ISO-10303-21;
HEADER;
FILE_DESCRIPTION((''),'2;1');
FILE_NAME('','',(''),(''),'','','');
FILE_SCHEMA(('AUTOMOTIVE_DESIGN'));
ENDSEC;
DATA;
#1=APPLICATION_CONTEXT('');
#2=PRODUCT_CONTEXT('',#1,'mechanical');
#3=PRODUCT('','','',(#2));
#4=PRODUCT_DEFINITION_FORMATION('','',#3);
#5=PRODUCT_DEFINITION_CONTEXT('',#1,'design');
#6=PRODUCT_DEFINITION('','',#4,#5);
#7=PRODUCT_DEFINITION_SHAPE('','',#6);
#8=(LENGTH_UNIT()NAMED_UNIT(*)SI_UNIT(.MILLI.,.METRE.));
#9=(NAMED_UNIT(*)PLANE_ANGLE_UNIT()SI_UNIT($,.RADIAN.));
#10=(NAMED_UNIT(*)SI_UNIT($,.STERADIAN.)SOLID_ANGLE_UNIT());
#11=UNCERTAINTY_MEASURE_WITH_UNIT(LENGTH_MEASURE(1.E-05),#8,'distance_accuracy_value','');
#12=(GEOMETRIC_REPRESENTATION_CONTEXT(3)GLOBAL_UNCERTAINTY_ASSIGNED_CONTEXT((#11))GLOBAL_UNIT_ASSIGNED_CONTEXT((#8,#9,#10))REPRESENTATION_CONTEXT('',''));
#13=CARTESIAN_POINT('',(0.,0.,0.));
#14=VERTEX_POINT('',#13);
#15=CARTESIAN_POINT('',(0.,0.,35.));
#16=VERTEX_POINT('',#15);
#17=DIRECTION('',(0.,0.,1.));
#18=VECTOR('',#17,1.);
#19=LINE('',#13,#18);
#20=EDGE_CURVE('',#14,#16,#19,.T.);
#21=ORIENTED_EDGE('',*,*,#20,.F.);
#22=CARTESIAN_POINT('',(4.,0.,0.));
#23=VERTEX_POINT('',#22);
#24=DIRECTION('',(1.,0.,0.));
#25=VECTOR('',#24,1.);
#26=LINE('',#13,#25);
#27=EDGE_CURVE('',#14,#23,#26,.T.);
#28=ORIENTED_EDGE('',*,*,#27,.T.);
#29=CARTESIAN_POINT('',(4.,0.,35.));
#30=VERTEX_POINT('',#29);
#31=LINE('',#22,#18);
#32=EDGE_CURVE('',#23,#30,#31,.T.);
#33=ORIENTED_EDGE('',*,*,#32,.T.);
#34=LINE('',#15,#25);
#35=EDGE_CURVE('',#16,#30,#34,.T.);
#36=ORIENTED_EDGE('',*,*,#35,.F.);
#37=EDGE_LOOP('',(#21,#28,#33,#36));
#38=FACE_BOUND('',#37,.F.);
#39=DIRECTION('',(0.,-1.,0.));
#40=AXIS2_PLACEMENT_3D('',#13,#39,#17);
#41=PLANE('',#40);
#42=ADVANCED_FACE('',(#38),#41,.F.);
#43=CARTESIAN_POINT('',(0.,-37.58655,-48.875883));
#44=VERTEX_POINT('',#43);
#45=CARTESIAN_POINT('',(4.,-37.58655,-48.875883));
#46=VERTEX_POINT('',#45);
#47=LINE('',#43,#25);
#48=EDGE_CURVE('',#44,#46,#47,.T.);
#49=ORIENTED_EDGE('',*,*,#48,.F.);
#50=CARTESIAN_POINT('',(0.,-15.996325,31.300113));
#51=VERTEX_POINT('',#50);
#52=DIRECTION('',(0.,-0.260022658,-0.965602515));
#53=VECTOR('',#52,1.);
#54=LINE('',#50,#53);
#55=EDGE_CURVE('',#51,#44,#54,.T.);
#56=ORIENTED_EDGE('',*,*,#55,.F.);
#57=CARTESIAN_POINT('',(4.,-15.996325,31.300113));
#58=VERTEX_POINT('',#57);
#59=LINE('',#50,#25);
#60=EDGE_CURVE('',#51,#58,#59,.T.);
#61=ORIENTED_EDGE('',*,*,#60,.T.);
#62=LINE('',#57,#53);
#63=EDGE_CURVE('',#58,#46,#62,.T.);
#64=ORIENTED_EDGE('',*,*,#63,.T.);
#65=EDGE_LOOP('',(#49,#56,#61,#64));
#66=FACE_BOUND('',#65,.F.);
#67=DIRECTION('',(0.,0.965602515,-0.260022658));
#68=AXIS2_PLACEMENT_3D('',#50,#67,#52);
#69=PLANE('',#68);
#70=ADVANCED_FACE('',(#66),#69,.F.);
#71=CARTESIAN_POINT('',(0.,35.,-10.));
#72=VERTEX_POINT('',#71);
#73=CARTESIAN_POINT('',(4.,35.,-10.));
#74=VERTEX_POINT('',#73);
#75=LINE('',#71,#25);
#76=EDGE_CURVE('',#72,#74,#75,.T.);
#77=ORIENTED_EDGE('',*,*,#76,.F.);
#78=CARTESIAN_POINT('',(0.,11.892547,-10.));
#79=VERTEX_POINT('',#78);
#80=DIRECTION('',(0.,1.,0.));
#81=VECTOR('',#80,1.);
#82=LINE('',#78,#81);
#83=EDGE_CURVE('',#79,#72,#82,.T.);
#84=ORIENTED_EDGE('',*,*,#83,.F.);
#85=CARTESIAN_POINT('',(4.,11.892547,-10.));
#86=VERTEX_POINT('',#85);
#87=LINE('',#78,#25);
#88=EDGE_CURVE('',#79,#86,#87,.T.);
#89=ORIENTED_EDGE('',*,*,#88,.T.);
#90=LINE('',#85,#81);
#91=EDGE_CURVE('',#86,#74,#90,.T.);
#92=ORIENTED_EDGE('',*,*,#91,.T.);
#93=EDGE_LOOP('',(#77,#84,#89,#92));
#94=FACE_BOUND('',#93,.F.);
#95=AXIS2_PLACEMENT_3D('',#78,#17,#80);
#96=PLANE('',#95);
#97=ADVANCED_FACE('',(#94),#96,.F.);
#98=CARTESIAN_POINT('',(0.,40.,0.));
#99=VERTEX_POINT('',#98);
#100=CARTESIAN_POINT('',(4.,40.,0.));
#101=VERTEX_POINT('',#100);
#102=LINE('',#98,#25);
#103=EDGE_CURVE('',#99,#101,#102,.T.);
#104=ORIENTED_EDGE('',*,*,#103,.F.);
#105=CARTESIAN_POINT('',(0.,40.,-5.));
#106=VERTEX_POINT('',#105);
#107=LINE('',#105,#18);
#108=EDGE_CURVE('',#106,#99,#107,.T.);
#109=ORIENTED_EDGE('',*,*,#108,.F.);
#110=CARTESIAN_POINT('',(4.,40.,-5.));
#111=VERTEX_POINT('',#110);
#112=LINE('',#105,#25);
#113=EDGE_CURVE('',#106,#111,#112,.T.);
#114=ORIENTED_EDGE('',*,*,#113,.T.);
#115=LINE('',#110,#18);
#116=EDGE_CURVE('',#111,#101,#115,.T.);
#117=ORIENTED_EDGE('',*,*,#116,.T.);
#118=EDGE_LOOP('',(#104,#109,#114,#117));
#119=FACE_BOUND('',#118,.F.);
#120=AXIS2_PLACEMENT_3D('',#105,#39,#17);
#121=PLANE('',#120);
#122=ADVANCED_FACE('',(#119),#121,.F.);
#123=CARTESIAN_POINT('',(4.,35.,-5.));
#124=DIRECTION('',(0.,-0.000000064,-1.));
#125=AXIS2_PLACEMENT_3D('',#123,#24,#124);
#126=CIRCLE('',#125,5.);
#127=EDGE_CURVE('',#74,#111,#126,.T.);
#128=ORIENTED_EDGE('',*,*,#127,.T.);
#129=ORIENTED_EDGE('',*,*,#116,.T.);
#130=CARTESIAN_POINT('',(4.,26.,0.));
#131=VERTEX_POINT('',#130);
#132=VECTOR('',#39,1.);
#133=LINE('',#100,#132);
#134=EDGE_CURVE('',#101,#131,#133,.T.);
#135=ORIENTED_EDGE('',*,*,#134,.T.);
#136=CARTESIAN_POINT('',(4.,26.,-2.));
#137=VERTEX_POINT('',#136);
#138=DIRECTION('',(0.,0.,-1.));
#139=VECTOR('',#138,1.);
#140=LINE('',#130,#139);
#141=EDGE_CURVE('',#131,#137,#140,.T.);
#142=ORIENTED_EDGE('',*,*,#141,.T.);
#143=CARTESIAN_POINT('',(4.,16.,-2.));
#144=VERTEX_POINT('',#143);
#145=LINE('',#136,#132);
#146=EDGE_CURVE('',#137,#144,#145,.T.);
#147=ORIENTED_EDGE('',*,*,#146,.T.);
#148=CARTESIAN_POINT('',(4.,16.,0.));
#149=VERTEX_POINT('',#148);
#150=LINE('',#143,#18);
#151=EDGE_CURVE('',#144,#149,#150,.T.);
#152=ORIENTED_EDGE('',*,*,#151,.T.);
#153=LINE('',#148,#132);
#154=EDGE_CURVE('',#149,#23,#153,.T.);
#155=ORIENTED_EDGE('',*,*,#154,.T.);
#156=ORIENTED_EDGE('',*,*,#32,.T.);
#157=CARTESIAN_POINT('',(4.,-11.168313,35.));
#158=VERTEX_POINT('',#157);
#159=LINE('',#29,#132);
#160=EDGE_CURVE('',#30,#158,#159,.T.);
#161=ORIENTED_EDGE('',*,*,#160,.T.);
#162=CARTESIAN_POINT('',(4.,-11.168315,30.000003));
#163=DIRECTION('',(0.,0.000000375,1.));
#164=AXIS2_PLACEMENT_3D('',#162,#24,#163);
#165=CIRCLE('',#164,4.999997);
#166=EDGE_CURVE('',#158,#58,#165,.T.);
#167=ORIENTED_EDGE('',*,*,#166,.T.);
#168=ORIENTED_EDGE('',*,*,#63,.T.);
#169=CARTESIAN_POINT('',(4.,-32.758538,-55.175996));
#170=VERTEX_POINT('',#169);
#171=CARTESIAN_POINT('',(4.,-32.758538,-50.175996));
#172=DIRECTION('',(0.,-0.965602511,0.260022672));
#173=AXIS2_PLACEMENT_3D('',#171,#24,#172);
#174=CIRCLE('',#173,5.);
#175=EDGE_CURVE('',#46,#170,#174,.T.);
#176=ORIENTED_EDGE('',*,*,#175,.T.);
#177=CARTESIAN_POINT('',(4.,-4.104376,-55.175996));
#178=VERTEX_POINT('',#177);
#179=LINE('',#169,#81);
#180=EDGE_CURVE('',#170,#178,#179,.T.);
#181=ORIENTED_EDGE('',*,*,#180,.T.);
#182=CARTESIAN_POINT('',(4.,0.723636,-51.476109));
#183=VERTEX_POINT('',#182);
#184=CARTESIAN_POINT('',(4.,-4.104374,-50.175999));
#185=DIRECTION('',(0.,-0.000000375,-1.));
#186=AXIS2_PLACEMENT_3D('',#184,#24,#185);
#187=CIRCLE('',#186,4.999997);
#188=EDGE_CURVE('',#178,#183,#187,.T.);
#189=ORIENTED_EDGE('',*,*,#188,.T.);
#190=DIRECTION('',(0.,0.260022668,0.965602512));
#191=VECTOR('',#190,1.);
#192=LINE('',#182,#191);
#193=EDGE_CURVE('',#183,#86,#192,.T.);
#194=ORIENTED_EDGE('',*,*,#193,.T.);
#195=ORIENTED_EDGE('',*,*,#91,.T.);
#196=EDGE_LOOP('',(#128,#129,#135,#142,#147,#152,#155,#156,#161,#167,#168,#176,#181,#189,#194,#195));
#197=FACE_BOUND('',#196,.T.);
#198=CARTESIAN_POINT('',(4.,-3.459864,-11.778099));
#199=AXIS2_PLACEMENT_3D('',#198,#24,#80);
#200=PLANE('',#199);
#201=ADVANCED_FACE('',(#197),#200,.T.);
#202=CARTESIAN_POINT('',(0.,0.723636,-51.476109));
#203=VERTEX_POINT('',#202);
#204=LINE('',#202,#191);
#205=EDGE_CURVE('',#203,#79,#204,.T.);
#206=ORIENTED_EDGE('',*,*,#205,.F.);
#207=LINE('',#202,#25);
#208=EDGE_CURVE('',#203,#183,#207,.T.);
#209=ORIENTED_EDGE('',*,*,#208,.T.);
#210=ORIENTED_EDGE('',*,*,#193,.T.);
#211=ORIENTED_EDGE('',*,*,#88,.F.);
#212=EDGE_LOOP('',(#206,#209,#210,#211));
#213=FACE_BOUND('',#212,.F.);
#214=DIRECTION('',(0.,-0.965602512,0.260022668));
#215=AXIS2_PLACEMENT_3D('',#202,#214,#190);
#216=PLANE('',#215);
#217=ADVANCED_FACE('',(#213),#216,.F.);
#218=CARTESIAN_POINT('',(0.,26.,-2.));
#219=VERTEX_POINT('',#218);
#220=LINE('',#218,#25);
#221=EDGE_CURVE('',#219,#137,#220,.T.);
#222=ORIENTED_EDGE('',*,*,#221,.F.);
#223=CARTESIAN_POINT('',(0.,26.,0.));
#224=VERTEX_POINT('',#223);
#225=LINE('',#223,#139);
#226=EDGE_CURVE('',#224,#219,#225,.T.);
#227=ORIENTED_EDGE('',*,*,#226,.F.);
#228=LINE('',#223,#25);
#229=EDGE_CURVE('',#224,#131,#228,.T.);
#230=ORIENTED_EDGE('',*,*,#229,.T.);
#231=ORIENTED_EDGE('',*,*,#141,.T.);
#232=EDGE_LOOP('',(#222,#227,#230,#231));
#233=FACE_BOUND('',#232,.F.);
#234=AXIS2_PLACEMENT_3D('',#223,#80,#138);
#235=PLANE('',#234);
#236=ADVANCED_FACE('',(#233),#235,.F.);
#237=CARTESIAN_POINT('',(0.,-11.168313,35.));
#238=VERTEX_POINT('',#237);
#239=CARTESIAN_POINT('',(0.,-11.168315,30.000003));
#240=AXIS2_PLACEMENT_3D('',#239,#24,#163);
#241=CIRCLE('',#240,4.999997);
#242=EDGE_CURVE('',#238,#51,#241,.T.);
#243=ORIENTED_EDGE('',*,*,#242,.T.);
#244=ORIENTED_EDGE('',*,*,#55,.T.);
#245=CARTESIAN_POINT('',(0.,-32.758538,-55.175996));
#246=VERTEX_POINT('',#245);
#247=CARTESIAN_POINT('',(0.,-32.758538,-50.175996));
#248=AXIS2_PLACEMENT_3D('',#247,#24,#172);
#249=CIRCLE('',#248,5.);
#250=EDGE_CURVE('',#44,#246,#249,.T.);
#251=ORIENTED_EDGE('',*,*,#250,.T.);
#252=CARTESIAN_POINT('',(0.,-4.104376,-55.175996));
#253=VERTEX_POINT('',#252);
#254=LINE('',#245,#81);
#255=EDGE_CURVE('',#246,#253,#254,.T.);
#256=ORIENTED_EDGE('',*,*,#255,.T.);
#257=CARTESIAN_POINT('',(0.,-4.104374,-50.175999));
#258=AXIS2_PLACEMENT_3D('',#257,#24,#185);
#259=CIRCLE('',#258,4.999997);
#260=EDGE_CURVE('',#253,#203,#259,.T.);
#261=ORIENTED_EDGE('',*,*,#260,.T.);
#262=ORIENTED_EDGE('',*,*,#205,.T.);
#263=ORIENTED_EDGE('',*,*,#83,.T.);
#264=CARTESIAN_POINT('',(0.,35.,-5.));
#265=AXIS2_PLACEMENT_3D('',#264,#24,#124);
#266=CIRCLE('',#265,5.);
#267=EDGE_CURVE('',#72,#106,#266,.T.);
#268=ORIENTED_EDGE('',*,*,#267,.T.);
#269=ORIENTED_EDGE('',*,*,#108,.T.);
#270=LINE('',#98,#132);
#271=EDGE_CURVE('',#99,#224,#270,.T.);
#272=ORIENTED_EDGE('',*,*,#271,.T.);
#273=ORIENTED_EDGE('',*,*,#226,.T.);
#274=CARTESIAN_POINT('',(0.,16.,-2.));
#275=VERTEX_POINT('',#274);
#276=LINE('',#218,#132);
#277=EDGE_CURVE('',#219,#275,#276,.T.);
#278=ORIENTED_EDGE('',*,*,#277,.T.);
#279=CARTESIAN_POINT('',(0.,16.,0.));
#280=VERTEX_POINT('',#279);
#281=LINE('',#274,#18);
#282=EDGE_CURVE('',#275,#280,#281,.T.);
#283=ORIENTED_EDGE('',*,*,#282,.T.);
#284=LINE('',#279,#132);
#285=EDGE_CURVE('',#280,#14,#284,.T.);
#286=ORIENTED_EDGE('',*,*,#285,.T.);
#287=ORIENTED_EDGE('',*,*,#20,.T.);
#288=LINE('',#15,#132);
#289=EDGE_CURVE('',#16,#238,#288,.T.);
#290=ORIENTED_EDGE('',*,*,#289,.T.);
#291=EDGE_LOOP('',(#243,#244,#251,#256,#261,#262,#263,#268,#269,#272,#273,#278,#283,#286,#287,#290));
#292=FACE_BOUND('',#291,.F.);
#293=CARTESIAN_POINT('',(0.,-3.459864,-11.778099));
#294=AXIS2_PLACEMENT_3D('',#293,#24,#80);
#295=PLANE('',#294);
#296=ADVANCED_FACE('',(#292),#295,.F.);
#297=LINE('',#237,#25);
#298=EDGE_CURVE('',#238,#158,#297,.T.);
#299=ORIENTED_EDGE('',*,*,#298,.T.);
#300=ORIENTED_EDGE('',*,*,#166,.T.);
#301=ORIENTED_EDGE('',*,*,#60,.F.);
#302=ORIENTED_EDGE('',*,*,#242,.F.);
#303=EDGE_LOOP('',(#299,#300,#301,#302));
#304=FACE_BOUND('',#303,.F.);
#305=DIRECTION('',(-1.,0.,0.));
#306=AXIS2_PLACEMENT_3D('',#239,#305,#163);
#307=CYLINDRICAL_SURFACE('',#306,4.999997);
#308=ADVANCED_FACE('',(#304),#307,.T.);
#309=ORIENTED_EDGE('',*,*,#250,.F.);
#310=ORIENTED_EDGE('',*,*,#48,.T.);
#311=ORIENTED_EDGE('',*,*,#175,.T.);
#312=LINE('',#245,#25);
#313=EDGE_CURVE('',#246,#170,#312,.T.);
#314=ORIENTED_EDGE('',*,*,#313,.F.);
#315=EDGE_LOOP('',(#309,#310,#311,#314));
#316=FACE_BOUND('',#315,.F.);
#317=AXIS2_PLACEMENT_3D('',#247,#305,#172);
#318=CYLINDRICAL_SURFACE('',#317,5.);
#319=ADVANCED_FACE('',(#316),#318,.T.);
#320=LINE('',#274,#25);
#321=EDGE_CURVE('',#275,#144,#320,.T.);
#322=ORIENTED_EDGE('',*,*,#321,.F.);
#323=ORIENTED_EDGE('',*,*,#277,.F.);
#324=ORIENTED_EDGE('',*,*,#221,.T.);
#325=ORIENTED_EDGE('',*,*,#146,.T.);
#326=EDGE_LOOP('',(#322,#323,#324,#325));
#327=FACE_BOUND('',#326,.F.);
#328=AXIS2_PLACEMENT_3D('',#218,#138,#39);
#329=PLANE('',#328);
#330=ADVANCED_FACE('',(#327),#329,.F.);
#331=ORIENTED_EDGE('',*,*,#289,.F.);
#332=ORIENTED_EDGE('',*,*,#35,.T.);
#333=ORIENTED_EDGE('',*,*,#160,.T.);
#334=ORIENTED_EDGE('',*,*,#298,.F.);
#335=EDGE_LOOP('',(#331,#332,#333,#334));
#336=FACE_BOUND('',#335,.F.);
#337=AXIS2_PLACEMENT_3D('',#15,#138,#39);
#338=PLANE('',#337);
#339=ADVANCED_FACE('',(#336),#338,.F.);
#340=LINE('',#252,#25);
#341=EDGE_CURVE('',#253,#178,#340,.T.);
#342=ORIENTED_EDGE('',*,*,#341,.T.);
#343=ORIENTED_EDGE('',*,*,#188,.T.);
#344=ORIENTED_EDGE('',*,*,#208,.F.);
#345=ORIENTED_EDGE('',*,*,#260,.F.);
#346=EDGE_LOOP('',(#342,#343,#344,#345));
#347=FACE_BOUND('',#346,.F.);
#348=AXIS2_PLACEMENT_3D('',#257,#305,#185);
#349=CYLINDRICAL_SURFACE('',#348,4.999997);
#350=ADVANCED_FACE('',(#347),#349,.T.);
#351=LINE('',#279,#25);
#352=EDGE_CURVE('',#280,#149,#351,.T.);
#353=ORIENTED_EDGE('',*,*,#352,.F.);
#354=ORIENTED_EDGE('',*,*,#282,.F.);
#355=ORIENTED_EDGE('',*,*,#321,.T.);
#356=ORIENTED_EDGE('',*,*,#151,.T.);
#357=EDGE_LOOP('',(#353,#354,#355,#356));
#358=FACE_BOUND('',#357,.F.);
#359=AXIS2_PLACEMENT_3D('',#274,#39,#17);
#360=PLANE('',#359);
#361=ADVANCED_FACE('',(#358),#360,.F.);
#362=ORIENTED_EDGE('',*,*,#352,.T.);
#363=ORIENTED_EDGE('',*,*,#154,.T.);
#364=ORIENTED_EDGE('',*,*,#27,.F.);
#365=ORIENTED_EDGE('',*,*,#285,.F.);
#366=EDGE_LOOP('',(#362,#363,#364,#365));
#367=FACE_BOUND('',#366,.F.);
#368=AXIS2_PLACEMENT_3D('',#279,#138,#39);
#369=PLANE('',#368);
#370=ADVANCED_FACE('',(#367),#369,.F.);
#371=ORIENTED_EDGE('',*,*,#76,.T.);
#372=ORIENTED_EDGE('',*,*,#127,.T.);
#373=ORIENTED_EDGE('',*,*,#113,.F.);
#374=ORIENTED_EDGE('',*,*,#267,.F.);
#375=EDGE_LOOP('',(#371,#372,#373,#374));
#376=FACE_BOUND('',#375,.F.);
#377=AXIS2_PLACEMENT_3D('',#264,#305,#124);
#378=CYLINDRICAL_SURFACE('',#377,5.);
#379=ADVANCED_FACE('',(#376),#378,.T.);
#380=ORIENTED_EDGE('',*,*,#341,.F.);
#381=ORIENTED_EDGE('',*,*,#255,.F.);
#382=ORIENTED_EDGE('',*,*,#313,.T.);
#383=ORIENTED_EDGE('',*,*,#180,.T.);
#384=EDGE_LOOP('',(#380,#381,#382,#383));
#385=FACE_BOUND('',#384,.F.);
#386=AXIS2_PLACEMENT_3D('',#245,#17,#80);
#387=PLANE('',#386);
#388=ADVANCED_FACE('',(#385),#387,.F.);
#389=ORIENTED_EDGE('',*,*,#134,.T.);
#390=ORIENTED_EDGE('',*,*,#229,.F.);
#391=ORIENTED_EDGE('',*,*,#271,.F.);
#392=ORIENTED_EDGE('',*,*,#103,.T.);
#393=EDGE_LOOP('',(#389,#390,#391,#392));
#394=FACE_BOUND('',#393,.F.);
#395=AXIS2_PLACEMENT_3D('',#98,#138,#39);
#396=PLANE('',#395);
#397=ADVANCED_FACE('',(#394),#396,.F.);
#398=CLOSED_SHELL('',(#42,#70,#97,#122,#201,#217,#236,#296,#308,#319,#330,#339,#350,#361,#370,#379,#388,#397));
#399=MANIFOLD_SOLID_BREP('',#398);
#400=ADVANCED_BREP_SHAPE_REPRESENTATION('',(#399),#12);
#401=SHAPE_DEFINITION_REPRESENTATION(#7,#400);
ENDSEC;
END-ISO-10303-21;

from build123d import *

# Parameters (mm, degrees)
F1_DEPTH = 4


with BuildPart() as f1:
    # F0 (on Right) → F1 (new body)
    with BuildSketch(Plane.YZ):
        with BuildLine():
            Line((16, 0), (0, 0))
            Line((0, 0), (0, 35))
            Line((0, 35), (-11.168313, 35))
            ThreePointArc((-11.168313, 35), (-14.209648, 33.968663), (-15.996325, 31.300113))
            Line((-15.996325, 31.300113), (-37.58655, -48.875883))
            ThreePointArc((-37.58655, -48.875883), (-36.7272, -53.217331), (-32.758538, -55.175996))
            Line((-32.758538, -55.175996), (-4.104376, -55.175996))
            ThreePointArc((-4.104376, -55.175996), (-1.063041, -54.144659), (0.723636, -51.476109))
            Line((0.723636, -51.476109), (11.892547, -10))
            Line((11.892547, -10), (35, -10))
            ThreePointArc((35, -10), (38.535534, -8.535534), (40, -5))
            Line((40, -5), (40, 0))
            Line((40, 0), (26, 0))
            Line((26, 0), (26, -2))
            Line((26, -2), (16, -2))
            Line((16, -2), (16, 0))
        make_face()
    extrude(amount=F1_DEPTH)


solid = f1.part
